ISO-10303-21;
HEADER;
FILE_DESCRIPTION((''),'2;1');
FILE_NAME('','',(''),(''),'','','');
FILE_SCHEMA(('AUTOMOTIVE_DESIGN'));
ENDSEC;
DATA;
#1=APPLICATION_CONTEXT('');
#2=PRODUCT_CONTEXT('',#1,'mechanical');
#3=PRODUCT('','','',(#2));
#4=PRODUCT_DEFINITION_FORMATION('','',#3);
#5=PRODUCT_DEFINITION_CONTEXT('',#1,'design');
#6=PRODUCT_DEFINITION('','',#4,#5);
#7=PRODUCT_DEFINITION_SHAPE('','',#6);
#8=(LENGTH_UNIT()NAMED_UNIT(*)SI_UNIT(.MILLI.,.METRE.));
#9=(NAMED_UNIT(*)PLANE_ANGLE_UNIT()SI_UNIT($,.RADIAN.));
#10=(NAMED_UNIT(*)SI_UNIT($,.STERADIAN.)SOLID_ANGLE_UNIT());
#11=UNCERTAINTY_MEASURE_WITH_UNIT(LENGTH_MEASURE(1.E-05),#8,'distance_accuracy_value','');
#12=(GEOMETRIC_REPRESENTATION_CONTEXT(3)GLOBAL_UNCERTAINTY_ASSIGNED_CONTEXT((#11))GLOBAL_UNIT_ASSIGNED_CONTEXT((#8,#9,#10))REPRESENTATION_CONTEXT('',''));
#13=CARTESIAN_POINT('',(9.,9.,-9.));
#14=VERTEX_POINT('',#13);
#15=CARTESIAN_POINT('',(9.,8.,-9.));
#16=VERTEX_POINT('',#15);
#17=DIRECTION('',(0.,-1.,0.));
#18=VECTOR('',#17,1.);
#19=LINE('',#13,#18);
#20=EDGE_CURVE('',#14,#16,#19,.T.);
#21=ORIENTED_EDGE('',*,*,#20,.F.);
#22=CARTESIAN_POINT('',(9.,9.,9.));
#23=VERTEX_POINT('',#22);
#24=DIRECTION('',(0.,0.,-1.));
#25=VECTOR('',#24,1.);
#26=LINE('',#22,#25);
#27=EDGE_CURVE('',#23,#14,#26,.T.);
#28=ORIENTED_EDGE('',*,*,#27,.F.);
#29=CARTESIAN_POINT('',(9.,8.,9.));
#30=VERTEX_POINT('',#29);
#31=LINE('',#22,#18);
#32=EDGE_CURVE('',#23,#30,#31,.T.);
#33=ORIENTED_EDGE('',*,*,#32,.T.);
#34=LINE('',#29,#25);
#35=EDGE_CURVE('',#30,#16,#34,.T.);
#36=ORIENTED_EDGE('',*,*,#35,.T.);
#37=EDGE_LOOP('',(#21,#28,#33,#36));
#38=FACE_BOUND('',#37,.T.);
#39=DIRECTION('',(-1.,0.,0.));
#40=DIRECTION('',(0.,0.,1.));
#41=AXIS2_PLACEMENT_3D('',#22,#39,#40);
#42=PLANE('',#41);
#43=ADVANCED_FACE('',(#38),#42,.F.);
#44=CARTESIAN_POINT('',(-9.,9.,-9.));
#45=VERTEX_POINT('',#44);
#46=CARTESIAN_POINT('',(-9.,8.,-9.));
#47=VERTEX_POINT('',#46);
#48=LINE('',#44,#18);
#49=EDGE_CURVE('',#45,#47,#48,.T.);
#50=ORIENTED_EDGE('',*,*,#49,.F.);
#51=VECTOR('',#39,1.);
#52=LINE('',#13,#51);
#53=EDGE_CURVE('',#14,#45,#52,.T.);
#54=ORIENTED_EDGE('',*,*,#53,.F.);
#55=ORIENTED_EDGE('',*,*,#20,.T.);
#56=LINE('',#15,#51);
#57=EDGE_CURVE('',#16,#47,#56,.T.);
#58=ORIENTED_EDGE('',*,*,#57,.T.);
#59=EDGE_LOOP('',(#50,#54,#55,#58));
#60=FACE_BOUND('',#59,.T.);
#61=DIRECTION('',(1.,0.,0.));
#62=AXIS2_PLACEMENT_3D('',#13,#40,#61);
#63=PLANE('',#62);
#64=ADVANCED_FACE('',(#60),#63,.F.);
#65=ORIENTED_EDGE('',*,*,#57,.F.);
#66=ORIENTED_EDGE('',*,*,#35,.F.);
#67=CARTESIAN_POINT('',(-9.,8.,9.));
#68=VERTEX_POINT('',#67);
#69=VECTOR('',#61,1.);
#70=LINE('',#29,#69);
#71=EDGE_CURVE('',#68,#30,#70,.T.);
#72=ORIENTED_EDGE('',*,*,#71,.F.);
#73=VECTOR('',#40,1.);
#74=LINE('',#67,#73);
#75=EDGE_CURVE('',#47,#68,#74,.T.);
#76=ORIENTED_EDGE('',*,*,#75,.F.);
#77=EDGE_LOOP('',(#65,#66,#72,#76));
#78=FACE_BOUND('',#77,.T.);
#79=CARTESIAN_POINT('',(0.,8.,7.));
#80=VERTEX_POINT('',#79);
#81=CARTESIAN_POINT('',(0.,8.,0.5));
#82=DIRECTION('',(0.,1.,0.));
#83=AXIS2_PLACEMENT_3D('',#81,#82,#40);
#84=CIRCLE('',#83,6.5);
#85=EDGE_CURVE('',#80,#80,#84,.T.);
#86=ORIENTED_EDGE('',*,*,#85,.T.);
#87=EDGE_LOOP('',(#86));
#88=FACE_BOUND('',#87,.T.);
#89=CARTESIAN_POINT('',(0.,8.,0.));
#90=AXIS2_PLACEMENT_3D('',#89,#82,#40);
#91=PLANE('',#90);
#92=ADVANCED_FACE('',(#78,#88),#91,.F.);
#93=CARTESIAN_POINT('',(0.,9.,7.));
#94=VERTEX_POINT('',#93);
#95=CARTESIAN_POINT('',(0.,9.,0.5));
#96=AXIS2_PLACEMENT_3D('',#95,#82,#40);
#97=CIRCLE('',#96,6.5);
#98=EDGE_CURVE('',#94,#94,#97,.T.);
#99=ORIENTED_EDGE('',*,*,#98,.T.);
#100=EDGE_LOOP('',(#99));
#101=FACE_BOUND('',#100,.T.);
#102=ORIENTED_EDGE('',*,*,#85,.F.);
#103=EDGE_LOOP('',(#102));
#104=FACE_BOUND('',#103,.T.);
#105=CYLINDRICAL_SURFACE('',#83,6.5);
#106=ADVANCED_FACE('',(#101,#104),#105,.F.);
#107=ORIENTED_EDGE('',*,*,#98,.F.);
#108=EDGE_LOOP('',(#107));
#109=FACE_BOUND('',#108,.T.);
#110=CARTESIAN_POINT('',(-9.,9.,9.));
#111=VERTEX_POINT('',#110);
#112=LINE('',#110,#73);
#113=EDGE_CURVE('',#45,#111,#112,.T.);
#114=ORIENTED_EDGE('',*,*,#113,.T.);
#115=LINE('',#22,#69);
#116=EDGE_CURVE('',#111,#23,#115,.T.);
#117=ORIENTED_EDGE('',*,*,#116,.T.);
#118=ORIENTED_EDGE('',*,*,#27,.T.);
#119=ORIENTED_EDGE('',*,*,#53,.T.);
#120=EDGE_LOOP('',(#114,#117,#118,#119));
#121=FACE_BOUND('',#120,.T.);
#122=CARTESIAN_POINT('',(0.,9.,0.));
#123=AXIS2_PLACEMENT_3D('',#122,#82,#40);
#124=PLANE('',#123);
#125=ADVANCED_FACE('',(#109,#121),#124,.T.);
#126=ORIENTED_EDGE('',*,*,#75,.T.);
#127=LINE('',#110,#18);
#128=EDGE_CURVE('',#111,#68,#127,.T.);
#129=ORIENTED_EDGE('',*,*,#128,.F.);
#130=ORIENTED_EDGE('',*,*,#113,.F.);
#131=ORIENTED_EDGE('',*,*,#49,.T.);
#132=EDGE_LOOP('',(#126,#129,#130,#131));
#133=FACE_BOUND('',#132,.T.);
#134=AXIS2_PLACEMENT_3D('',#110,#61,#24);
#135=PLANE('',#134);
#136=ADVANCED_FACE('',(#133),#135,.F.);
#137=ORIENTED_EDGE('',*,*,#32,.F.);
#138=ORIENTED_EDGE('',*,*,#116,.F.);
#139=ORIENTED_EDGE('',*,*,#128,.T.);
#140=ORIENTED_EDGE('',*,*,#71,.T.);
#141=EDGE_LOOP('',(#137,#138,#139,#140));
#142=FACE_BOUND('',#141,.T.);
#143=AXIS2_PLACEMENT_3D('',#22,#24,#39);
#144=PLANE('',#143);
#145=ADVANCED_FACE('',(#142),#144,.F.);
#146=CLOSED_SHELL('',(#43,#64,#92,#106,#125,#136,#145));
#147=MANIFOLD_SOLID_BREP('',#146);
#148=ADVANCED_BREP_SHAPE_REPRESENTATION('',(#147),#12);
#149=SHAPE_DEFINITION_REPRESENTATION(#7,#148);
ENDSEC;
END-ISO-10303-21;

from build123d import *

# Parameters (mm, degrees)
SKETCH_1_W          = 18
SKETCH_1_H          = 18
EXTRUDE_1_DEPTH     = 8
CUT_EXTRUDE_START   = 8
SKETCH_5_W          = 16
SKETCH_5_H          = 17
CUT_EXTRUDE_6_DEPTH = 7
EXTRUDE_START       = 8
SKETCH_6_W          = 18
SKETCH_6_H          = 18
EXTRUDE_2_DEPTH     = 1
CUT_EXTRUDE_START_2 = 9
SKETCH_7_R          = 6.5
CUT_EXTRUDE_7_DEPTH = 1
SKETCH_11_W         = 18
SKETCH_11_H         = 18
CUT_EXTRUDE_9_DEPTH = 8


with BuildPart() as part:
    # 스케치1 → 보스-돌출1 (new body)
    with BuildSketch(Plane(origin=(0, 0, 0), x_dir=(1, 0, 0), z_dir=(0, 1, 0))):
        Rectangle(SKETCH_1_W, SKETCH_1_H)
    extrude(amount=EXTRUDE_1_DEPTH)

    # 스케치5 → 컷-돌출6 (cut)
    with BuildSketch(Plane(origin=(0, 0, 0), x_dir=(1, 0, 0), z_dir=(0, 1, 0)).offset(CUT_EXTRUDE_START)):
        with Locations((0, 0.5)):
            Rectangle(SKETCH_5_W, SKETCH_5_H)
    extrude(amount=-CUT_EXTRUDE_6_DEPTH, mode=Mode.SUBTRACT)

    # 스케치11 → 컷-돌출9 (cut)
    with BuildSketch(Plane.XZ):
        Rectangle(SKETCH_11_W, SKETCH_11_H)
    extrude(amount=-CUT_EXTRUDE_9_DEPTH, mode=Mode.SUBTRACT)


with BuildPart() as body_2:
    # 스케치6 → 보스-돌출2 (new body)
    with BuildSketch(Plane(origin=(0, 0, 0), x_dir=(1, 0, 0), z_dir=(0, 1, 0)).offset(EXTRUDE_START)):
        Rectangle(SKETCH_6_W, SKETCH_6_H)
    extrude(amount=EXTRUDE_2_DEPTH)

    # 스케치7 → 컷-돌출7 (cut)
    with BuildSketch(Plane(origin=(0, 0, 0), x_dir=(1, 0, 0), z_dir=(0, 1, 0)).offset(CUT_EXTRUDE_START_2)):
        with Locations(Location((0, -0.5, 0), (0, 0, 270))):
            Circle(SKETCH_7_R)
    extrude(amount=-CUT_EXTRUDE_7_DEPTH, mode=Mode.SUBTRACT)


solid = body_2.part
